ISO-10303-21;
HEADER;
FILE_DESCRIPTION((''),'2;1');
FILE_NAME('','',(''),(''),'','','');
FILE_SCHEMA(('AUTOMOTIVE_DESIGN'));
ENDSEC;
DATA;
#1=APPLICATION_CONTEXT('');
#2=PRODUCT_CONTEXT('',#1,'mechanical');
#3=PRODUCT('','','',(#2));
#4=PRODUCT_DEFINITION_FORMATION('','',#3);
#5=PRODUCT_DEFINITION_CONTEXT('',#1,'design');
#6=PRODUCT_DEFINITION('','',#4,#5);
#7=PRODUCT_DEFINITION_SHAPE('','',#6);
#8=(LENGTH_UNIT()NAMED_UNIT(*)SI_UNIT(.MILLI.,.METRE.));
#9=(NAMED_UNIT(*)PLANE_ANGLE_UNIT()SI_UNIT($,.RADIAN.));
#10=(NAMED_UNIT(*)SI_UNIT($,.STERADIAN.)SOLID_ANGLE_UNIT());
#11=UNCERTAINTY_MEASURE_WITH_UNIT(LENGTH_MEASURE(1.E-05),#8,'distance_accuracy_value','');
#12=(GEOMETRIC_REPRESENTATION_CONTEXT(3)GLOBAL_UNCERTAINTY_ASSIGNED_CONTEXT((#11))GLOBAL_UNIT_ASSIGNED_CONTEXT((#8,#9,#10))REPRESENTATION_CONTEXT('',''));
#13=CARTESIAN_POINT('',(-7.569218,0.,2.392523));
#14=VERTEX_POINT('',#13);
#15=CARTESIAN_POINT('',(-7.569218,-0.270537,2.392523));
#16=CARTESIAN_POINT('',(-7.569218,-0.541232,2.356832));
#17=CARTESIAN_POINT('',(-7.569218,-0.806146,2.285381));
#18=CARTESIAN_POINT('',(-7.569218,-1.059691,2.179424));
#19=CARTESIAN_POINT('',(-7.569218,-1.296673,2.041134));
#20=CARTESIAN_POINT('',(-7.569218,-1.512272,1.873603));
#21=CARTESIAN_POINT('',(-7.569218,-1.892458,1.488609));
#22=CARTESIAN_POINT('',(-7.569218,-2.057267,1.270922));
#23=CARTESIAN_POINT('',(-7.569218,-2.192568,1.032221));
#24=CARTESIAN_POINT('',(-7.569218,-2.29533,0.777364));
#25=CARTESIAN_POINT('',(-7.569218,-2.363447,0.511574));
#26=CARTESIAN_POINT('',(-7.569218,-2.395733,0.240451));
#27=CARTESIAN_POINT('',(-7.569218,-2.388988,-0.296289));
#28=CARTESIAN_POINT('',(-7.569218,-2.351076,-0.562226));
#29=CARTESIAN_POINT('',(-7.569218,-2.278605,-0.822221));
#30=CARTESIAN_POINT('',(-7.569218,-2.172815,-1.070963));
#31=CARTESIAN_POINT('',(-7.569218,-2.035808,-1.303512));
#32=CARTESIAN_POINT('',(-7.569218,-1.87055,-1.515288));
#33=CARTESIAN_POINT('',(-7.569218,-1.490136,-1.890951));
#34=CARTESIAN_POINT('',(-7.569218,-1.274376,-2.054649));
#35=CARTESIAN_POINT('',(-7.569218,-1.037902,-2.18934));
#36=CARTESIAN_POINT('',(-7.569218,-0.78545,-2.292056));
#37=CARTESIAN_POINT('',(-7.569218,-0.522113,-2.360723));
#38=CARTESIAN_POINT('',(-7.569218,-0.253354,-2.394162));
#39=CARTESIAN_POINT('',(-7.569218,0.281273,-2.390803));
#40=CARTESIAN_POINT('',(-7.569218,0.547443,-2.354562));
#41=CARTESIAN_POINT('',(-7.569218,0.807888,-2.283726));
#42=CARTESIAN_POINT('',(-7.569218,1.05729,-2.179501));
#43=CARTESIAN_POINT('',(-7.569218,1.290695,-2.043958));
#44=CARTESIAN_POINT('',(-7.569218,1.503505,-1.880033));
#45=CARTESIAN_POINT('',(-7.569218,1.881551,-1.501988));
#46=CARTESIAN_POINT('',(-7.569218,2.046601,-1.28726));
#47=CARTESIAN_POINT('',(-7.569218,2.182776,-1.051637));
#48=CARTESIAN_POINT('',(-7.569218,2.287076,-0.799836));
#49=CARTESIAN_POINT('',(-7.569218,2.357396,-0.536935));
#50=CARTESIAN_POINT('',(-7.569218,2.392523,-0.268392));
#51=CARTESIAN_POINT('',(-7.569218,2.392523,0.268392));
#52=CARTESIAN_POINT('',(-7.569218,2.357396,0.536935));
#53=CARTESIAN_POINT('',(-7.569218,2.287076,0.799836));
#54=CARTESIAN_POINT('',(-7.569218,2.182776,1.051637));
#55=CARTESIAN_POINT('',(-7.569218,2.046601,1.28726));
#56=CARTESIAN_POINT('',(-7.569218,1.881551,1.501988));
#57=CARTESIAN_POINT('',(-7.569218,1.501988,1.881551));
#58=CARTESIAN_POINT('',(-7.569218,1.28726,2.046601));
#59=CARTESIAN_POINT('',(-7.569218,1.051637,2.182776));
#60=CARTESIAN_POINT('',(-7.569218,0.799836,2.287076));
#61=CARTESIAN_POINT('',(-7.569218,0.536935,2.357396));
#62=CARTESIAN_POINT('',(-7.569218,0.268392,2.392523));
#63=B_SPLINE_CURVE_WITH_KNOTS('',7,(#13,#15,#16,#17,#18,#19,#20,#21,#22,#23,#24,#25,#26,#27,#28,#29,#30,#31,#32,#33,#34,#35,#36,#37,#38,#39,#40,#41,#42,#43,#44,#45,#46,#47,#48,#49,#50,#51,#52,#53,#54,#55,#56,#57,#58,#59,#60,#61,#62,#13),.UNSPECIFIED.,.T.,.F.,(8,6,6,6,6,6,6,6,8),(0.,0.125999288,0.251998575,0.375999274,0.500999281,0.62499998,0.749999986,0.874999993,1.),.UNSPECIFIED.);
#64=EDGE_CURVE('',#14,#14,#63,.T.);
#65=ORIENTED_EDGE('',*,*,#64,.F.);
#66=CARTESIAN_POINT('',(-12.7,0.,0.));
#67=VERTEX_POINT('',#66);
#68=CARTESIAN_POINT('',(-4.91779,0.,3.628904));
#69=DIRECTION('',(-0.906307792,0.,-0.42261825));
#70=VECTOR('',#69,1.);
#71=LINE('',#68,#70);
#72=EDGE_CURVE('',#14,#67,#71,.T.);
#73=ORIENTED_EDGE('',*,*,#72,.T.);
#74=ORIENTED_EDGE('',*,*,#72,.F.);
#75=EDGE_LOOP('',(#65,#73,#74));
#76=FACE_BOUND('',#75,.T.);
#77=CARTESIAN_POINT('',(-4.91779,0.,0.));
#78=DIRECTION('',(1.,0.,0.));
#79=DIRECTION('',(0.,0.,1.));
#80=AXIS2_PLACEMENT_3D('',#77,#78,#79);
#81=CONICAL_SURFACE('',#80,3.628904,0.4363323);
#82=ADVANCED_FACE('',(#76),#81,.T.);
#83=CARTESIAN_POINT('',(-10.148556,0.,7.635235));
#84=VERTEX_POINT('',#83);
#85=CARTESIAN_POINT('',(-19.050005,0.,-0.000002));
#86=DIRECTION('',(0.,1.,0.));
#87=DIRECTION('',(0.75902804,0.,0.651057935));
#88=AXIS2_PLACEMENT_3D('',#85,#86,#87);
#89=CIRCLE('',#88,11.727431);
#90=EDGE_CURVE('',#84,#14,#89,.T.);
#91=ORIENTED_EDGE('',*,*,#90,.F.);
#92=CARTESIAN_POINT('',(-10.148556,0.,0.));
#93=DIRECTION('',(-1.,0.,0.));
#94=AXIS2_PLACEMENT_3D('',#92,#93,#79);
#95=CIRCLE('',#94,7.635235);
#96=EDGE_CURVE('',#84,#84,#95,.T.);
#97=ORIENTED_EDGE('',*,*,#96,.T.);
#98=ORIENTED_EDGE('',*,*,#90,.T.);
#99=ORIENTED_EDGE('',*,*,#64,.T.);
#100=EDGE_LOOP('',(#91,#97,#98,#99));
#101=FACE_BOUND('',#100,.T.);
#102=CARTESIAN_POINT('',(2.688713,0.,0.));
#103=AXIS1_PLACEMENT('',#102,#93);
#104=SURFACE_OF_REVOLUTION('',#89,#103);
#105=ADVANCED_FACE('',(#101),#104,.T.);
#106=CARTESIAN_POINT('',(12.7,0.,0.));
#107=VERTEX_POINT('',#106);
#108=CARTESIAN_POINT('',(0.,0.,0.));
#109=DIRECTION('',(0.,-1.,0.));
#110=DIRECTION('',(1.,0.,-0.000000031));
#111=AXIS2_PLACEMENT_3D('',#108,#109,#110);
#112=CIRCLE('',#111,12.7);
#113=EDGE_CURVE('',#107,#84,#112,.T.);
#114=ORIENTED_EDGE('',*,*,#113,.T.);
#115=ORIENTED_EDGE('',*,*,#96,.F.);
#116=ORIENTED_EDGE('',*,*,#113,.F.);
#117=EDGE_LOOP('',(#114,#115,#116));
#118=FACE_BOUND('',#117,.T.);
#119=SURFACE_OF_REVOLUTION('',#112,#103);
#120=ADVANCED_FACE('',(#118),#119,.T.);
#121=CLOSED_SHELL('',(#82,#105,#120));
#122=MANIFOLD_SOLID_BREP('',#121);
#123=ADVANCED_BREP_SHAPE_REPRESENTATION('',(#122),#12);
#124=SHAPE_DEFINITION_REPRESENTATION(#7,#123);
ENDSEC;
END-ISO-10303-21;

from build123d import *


with BuildPart() as f1:
    # F0 (on Front) → F1 (revolve)
    with BuildSketch(Plane.XZ):
        with BuildLine():
            Line((-7.322574, 0), (12.7, 0))
            ThreePointArc((12.7, 0), (4.02513, 12.045262), (-10.148556, 7.635235))
            ThreePointArc((-10.148556, 7.635235), (-8.051738, 4.070718), (-7.322574, 0))
        make_face()
    revolve(axis=Axis((2.688713, 0, 0), (-1, 0, 0)))

    # F2 (on Front) → F3 (revolve)
    with BuildSketch(Plane.XZ):
        Polygon((-12.7, 0), (-4.648126, 0), (-4.91779, 3.628904), align=None)
    revolve(axis=Axis((-8.674063, 0, 0), (-1, 0, 0)))


solid = f1.part
